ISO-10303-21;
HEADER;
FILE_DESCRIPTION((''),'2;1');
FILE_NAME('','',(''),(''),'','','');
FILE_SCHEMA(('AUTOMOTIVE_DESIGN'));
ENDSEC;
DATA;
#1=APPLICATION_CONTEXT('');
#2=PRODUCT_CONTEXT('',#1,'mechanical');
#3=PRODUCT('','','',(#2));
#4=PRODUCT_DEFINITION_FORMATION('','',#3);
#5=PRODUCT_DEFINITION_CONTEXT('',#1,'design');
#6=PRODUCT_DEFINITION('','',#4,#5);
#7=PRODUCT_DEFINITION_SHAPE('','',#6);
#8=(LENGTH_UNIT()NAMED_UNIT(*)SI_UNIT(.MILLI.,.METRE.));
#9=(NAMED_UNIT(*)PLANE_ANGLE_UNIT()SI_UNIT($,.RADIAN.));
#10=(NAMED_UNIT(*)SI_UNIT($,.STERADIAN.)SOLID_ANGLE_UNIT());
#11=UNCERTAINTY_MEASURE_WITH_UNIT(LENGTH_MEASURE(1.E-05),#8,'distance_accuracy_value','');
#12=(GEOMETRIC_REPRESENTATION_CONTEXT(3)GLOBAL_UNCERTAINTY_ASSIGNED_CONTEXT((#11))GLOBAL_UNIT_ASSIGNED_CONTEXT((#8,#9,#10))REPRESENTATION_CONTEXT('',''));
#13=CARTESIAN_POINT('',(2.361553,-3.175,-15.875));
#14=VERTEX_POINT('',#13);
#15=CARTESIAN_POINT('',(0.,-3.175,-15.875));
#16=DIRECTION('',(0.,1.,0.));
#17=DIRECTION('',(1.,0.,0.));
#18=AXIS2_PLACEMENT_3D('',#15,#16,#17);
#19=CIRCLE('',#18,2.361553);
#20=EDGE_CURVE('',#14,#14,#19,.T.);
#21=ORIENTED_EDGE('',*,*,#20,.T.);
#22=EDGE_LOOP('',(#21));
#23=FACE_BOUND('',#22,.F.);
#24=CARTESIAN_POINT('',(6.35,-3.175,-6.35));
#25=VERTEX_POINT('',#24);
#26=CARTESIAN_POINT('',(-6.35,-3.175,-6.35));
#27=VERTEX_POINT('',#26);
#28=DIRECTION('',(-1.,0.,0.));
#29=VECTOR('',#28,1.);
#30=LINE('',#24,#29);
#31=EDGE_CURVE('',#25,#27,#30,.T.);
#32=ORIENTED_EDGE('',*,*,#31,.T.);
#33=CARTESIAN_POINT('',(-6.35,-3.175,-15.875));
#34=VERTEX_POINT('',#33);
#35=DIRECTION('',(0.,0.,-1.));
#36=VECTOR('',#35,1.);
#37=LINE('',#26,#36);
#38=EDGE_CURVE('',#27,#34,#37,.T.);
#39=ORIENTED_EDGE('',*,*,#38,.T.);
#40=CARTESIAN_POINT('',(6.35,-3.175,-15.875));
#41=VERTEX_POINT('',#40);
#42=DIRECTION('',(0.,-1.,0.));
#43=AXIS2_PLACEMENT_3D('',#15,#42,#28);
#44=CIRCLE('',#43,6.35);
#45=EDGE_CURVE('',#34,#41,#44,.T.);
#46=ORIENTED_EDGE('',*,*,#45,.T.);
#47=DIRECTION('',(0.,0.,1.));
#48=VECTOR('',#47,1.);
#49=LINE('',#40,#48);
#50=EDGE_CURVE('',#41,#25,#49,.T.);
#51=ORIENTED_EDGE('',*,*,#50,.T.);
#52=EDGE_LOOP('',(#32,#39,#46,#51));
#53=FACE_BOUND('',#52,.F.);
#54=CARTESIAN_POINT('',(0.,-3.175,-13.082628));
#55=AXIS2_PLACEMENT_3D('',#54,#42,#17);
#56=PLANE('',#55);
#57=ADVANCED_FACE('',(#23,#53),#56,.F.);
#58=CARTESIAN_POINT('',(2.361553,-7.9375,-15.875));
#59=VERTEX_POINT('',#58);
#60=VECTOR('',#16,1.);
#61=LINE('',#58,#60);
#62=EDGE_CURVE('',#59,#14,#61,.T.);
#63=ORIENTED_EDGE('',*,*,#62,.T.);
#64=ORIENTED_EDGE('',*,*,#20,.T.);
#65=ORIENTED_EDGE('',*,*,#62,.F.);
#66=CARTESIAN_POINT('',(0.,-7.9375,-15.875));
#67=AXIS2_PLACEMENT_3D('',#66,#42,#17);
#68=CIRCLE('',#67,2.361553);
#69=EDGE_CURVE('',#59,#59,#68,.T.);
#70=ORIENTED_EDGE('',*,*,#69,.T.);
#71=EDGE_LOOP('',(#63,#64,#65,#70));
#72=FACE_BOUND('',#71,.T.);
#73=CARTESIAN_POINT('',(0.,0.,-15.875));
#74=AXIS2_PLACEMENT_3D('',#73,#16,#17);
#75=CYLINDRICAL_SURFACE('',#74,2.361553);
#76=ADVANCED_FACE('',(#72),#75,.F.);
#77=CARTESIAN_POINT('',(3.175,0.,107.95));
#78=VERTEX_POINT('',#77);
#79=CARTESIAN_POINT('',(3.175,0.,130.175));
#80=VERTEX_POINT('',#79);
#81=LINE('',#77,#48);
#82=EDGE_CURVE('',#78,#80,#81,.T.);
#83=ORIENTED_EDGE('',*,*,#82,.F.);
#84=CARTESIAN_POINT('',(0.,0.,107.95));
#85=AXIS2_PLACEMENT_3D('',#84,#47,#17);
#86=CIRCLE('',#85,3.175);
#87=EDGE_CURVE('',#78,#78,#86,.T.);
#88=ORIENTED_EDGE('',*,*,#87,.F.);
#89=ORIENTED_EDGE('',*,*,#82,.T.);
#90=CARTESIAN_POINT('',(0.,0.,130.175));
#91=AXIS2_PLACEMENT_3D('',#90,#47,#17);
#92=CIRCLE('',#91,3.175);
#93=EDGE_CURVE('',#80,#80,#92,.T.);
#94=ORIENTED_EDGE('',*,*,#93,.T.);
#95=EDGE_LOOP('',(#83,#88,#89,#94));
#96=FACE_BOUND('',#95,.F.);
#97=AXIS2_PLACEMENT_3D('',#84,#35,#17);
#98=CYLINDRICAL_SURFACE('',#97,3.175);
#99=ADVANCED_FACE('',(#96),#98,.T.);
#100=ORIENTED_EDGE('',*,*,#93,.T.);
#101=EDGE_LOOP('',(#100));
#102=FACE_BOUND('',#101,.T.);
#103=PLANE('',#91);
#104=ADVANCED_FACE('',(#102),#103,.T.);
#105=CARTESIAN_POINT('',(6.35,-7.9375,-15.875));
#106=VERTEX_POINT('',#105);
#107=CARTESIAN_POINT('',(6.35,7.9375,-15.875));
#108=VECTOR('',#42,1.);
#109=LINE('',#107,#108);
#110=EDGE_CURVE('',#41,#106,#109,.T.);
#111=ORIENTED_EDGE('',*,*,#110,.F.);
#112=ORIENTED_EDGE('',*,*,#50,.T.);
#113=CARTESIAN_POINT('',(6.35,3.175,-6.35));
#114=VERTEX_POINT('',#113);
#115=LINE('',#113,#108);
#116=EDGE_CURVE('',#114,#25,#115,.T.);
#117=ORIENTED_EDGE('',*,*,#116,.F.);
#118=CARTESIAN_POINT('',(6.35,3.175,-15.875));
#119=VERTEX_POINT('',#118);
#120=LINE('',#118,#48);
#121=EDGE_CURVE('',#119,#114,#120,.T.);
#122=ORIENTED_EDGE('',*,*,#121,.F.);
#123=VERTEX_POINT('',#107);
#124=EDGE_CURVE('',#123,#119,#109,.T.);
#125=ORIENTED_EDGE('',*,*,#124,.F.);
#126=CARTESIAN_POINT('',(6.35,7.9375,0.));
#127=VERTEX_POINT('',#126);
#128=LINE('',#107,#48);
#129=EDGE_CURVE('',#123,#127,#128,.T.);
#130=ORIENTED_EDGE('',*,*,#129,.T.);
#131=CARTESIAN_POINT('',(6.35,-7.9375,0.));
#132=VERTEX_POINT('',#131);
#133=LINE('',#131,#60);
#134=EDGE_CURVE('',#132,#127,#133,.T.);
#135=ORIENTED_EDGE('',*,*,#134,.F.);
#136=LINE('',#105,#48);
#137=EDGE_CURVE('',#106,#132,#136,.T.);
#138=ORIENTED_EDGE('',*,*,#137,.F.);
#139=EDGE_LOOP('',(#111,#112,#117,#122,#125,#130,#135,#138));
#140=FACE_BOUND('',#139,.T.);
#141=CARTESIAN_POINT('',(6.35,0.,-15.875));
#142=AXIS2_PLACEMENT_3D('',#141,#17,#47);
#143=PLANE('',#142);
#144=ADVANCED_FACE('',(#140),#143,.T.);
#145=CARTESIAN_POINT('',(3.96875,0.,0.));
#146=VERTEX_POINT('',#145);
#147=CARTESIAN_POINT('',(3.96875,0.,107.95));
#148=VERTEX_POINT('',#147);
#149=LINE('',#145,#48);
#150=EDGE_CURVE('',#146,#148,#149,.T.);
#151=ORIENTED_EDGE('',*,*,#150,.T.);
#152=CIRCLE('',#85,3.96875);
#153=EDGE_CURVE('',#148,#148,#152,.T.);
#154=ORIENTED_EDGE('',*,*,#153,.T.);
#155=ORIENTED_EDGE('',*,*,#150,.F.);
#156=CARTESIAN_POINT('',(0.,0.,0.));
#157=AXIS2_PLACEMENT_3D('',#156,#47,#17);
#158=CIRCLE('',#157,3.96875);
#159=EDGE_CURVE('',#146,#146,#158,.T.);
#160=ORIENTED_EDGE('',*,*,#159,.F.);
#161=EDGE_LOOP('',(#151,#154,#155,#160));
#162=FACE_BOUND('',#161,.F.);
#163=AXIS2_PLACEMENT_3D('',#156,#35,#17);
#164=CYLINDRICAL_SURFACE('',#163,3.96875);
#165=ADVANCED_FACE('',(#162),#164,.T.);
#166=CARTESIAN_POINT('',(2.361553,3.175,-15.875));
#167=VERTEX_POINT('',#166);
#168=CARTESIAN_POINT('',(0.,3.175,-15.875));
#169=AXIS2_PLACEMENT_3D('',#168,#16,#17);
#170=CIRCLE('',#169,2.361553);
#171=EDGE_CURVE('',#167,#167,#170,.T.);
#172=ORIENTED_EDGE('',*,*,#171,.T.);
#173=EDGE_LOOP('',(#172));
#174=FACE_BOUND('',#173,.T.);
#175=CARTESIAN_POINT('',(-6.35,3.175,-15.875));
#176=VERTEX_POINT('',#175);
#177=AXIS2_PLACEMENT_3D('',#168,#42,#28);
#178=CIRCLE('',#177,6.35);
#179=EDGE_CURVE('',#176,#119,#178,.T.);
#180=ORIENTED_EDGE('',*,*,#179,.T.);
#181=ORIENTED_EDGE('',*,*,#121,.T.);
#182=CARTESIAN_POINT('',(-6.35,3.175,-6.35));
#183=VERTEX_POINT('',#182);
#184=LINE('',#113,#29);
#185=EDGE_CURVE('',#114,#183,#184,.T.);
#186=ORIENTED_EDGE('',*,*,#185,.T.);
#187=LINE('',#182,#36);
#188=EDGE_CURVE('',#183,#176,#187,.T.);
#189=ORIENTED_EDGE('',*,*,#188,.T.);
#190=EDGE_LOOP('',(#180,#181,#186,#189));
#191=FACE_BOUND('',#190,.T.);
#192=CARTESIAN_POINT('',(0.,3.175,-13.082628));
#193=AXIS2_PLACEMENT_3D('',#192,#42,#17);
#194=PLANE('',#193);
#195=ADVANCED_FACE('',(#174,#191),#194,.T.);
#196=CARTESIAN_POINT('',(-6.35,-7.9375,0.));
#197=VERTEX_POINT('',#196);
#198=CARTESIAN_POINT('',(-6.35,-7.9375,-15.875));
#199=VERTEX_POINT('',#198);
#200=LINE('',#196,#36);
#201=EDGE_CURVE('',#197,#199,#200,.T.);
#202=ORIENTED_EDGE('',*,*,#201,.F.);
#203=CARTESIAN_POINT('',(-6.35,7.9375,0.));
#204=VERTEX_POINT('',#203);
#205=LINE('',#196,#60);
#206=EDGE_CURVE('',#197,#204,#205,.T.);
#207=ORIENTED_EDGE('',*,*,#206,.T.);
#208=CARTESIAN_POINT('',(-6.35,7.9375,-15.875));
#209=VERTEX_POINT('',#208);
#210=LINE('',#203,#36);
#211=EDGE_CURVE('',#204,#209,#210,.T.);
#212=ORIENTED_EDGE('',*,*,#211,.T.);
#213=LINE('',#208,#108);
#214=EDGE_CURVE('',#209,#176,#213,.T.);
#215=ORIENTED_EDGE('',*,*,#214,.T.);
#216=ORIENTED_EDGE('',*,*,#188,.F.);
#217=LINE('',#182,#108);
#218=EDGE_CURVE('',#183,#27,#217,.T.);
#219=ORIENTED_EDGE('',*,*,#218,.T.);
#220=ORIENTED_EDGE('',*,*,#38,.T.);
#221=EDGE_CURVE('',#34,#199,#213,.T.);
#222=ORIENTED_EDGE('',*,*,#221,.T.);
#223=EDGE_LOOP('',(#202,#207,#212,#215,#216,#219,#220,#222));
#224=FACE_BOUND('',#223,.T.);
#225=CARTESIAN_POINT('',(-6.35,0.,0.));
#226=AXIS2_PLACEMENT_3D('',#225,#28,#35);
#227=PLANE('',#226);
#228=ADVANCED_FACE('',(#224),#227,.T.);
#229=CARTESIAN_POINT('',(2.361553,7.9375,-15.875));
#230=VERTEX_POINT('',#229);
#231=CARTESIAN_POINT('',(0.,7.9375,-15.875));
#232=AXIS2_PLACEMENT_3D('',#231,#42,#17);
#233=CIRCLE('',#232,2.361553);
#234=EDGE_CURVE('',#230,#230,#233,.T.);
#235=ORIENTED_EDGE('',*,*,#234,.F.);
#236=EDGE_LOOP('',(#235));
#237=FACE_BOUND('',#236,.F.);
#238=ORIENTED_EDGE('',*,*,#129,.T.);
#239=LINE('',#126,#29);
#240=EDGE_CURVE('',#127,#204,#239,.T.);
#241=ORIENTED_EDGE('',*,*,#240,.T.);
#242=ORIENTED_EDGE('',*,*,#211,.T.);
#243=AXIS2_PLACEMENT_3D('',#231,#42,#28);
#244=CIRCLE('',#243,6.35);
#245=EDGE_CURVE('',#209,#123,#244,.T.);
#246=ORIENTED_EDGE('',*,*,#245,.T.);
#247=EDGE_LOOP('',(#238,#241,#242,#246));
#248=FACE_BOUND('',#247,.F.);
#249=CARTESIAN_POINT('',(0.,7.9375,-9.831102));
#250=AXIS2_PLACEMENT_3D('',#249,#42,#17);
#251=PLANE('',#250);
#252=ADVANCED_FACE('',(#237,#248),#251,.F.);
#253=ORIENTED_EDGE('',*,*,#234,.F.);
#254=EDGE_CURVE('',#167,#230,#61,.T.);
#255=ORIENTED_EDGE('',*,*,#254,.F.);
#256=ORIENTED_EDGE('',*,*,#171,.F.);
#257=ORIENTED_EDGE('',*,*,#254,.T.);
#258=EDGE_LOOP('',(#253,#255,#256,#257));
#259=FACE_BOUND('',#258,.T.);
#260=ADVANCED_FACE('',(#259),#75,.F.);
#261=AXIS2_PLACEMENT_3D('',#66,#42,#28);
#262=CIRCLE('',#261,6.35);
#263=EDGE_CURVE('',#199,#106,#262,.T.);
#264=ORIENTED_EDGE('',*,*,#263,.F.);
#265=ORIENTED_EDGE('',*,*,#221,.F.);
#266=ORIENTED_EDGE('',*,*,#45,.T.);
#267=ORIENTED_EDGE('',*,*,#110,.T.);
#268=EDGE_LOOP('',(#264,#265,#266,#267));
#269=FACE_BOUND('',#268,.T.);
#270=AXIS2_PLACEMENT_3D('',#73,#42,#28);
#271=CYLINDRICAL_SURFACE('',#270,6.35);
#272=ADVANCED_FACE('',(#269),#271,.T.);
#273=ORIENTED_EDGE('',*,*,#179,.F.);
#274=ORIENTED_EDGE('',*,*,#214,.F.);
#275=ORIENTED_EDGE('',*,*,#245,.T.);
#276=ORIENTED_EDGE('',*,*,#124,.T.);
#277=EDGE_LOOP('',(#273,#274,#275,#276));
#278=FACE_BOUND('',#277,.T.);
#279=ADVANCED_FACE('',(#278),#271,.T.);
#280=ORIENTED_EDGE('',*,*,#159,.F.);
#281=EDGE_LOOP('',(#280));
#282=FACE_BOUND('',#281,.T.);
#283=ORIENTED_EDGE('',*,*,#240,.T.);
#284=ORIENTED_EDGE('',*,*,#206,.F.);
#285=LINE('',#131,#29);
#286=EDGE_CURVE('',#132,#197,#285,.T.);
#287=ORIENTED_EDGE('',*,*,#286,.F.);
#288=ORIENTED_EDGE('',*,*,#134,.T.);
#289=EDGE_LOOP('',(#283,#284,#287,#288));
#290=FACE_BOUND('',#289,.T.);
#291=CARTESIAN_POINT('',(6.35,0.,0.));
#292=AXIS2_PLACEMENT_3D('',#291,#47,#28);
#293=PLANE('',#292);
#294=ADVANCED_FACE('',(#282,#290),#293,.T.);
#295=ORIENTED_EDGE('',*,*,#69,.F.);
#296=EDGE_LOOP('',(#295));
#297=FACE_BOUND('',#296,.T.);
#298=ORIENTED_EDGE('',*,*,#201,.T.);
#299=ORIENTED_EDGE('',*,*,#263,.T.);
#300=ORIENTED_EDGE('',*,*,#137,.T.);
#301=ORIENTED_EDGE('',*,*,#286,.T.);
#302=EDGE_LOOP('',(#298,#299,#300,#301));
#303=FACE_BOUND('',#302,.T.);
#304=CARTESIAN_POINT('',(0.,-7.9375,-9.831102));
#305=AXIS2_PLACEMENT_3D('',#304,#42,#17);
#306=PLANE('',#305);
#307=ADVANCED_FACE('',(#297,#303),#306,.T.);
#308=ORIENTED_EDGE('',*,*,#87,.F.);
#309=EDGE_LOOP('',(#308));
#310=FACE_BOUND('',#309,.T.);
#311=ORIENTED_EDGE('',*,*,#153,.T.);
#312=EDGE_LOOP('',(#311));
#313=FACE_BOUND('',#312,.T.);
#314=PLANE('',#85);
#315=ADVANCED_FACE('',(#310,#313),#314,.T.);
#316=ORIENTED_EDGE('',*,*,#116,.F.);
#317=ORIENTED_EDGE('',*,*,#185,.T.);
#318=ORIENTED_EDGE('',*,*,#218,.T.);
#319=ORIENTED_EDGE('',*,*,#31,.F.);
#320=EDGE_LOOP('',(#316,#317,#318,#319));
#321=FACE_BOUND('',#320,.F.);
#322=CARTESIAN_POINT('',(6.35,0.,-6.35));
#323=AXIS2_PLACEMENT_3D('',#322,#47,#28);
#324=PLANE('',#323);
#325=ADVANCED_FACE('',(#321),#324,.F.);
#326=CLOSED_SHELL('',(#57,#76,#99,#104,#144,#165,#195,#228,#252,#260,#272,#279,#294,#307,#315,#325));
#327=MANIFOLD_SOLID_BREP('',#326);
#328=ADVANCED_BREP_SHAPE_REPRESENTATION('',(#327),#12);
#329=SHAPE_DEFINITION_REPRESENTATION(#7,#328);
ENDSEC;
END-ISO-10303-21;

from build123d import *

# Parameters (mm, degrees)
F0_R     = 3.96875
F1_DEPTH = 107.95
F2_R     = 3.175
F3_DEPTH = 22.225
F4_R     = 2.361553
F5_DEPTH = 7.9375
F7_DEPTH = 3.175


with BuildPart() as f1:
    # F0 (on Top) → F1 (new body)
    with BuildSketch(Plane.XY):
        Circle(F0_R)
    extrude(amount=F1_DEPTH)

    # F2 (on face) → F3 (join)
    with BuildSketch(Plane.XY.offset(107.95)):
        Circle(F2_R)
    extrude(amount=F3_DEPTH)

    # F4 (on Front) → F5 (join, symmetric)
    with BuildSketch(Plane.XZ):
        with BuildLine():
            Line((3.96875, 0), (-3.96875, 0))
            Line((-3.96875, 0), (-6.35, 0))
            Line((-6.35, 0), (-6.35, -15.875))
            ThreePointArc((-6.35, -15.875), (0, -22.225), (6.35, -15.875))
            Line((6.35, -15.875), (6.35, 0))
            Line((6.35, 0), (3.96875, 0))
        make_face()
        with Locations((0, -15.875)):
            Circle(F4_R, mode=Mode.SUBTRACT)
    extrude(amount=F5_DEPTH, both=True)

    # F6 (on Front) → F7 (cut, symmetric)
    with BuildSketch(Plane.XZ):
        with BuildLine():
            Line((6.35, -15.875), (6.35, -6.35))
            Line((6.35, -6.35), (-6.35, -6.35))
            Line((-6.35, -6.35), (-6.35, -15.875))
            ThreePointArc((-6.35, -15.875), (0, -22.225), (6.35, -15.875))
        make_face()
    extrude(amount=F7_DEPTH, both=True, mode=Mode.SUBTRACT)


solid = f1.part
